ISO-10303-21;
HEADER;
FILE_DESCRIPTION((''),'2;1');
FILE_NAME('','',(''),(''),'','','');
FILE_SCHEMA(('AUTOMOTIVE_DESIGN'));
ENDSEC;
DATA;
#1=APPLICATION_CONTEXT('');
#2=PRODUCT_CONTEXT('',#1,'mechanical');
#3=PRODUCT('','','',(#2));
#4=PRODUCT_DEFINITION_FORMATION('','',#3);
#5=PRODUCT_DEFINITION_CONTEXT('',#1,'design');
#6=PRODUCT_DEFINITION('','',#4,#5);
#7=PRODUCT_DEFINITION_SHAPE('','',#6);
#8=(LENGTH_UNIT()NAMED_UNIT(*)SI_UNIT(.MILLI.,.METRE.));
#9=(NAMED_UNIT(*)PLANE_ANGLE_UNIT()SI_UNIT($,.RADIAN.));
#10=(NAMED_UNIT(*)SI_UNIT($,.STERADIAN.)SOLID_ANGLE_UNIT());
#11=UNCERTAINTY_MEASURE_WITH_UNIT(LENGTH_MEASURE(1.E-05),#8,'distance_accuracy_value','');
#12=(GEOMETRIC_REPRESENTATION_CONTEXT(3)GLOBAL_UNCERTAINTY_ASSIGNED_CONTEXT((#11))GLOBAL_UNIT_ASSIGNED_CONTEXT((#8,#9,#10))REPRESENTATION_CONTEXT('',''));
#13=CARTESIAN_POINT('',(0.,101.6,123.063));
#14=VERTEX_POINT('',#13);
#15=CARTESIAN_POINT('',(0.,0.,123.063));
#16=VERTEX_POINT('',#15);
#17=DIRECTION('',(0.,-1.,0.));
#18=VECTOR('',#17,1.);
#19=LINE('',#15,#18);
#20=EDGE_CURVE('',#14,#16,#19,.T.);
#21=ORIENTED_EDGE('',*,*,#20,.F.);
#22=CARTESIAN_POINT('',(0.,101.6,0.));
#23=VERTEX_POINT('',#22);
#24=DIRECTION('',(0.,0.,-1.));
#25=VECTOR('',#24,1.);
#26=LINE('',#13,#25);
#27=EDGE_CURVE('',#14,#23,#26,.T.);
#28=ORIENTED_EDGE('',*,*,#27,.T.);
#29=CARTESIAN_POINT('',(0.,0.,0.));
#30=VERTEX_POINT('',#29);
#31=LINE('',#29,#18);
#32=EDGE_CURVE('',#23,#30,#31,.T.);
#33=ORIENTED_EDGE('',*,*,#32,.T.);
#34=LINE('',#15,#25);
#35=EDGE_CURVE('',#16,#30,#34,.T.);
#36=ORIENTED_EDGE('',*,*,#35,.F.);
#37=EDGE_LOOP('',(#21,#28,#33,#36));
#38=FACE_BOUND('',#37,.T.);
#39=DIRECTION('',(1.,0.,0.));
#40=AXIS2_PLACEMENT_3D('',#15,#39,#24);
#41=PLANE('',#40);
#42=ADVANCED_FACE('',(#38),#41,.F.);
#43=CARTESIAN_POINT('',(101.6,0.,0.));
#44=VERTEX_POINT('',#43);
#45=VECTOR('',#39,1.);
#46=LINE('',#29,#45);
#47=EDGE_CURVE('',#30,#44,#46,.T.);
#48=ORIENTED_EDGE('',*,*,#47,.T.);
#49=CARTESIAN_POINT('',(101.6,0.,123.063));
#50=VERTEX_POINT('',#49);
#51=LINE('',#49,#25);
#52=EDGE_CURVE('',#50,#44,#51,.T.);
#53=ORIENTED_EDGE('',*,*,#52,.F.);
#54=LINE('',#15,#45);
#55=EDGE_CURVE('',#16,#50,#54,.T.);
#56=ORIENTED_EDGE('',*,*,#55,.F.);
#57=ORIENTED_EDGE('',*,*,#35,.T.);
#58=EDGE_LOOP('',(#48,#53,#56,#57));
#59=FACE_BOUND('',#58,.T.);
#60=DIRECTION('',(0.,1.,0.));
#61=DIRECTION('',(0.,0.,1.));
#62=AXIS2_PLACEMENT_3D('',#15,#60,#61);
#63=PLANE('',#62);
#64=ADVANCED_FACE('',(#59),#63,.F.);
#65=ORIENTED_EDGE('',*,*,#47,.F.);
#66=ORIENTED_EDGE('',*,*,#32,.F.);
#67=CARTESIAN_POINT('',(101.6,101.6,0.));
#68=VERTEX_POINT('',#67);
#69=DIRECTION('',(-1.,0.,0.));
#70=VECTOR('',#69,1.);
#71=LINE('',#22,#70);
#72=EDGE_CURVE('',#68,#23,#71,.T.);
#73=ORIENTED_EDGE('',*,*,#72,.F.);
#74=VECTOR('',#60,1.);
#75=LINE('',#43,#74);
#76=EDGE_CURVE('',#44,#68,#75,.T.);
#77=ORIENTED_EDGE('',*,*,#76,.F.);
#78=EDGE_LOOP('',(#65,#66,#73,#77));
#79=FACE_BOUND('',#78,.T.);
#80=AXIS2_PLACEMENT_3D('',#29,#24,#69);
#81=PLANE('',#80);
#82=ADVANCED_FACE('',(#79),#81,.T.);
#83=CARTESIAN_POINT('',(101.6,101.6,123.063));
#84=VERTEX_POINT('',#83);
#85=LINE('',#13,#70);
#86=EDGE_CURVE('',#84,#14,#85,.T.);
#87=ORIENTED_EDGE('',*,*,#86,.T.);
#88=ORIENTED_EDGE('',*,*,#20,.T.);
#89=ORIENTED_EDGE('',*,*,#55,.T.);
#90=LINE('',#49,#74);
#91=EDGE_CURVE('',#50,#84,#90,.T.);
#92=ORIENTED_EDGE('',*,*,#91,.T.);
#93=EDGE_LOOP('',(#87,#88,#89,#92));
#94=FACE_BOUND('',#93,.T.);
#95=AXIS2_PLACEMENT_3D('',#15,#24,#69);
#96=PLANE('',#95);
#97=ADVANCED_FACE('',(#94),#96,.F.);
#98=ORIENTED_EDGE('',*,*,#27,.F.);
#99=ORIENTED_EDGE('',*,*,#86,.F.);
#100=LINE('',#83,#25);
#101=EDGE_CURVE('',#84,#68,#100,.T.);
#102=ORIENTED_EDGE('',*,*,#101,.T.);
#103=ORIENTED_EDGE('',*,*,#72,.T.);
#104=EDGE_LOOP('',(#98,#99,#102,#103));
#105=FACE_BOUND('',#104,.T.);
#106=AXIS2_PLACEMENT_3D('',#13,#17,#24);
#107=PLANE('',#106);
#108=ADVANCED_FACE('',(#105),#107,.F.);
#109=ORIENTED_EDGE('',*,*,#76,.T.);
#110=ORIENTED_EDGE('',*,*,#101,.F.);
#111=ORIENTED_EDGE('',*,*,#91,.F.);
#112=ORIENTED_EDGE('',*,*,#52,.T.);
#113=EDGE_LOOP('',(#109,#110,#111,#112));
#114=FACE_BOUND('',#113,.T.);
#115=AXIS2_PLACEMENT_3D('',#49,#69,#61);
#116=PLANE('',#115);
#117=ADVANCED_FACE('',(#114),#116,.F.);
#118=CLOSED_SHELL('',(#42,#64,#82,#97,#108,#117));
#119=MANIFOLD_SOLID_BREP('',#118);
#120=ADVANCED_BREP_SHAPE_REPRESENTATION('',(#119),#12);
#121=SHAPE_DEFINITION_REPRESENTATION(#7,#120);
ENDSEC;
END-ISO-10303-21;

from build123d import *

# Parameters (mm, degrees)
SKETCH1_W           = 101.6
SKETCH1_H           = 101.6
BOSS_EXTRUDE1_DEPTH = 123.063


with BuildPart() as part:
    # Sketch1 → Boss-Extrude1 (new body)
    with BuildSketch(Plane.XY):
        with Locations((50.8, 50.8)):
            Rectangle(SKETCH1_W, SKETCH1_H)
    extrude(amount=BOSS_EXTRUDE1_DEPTH)


solid = part.part
